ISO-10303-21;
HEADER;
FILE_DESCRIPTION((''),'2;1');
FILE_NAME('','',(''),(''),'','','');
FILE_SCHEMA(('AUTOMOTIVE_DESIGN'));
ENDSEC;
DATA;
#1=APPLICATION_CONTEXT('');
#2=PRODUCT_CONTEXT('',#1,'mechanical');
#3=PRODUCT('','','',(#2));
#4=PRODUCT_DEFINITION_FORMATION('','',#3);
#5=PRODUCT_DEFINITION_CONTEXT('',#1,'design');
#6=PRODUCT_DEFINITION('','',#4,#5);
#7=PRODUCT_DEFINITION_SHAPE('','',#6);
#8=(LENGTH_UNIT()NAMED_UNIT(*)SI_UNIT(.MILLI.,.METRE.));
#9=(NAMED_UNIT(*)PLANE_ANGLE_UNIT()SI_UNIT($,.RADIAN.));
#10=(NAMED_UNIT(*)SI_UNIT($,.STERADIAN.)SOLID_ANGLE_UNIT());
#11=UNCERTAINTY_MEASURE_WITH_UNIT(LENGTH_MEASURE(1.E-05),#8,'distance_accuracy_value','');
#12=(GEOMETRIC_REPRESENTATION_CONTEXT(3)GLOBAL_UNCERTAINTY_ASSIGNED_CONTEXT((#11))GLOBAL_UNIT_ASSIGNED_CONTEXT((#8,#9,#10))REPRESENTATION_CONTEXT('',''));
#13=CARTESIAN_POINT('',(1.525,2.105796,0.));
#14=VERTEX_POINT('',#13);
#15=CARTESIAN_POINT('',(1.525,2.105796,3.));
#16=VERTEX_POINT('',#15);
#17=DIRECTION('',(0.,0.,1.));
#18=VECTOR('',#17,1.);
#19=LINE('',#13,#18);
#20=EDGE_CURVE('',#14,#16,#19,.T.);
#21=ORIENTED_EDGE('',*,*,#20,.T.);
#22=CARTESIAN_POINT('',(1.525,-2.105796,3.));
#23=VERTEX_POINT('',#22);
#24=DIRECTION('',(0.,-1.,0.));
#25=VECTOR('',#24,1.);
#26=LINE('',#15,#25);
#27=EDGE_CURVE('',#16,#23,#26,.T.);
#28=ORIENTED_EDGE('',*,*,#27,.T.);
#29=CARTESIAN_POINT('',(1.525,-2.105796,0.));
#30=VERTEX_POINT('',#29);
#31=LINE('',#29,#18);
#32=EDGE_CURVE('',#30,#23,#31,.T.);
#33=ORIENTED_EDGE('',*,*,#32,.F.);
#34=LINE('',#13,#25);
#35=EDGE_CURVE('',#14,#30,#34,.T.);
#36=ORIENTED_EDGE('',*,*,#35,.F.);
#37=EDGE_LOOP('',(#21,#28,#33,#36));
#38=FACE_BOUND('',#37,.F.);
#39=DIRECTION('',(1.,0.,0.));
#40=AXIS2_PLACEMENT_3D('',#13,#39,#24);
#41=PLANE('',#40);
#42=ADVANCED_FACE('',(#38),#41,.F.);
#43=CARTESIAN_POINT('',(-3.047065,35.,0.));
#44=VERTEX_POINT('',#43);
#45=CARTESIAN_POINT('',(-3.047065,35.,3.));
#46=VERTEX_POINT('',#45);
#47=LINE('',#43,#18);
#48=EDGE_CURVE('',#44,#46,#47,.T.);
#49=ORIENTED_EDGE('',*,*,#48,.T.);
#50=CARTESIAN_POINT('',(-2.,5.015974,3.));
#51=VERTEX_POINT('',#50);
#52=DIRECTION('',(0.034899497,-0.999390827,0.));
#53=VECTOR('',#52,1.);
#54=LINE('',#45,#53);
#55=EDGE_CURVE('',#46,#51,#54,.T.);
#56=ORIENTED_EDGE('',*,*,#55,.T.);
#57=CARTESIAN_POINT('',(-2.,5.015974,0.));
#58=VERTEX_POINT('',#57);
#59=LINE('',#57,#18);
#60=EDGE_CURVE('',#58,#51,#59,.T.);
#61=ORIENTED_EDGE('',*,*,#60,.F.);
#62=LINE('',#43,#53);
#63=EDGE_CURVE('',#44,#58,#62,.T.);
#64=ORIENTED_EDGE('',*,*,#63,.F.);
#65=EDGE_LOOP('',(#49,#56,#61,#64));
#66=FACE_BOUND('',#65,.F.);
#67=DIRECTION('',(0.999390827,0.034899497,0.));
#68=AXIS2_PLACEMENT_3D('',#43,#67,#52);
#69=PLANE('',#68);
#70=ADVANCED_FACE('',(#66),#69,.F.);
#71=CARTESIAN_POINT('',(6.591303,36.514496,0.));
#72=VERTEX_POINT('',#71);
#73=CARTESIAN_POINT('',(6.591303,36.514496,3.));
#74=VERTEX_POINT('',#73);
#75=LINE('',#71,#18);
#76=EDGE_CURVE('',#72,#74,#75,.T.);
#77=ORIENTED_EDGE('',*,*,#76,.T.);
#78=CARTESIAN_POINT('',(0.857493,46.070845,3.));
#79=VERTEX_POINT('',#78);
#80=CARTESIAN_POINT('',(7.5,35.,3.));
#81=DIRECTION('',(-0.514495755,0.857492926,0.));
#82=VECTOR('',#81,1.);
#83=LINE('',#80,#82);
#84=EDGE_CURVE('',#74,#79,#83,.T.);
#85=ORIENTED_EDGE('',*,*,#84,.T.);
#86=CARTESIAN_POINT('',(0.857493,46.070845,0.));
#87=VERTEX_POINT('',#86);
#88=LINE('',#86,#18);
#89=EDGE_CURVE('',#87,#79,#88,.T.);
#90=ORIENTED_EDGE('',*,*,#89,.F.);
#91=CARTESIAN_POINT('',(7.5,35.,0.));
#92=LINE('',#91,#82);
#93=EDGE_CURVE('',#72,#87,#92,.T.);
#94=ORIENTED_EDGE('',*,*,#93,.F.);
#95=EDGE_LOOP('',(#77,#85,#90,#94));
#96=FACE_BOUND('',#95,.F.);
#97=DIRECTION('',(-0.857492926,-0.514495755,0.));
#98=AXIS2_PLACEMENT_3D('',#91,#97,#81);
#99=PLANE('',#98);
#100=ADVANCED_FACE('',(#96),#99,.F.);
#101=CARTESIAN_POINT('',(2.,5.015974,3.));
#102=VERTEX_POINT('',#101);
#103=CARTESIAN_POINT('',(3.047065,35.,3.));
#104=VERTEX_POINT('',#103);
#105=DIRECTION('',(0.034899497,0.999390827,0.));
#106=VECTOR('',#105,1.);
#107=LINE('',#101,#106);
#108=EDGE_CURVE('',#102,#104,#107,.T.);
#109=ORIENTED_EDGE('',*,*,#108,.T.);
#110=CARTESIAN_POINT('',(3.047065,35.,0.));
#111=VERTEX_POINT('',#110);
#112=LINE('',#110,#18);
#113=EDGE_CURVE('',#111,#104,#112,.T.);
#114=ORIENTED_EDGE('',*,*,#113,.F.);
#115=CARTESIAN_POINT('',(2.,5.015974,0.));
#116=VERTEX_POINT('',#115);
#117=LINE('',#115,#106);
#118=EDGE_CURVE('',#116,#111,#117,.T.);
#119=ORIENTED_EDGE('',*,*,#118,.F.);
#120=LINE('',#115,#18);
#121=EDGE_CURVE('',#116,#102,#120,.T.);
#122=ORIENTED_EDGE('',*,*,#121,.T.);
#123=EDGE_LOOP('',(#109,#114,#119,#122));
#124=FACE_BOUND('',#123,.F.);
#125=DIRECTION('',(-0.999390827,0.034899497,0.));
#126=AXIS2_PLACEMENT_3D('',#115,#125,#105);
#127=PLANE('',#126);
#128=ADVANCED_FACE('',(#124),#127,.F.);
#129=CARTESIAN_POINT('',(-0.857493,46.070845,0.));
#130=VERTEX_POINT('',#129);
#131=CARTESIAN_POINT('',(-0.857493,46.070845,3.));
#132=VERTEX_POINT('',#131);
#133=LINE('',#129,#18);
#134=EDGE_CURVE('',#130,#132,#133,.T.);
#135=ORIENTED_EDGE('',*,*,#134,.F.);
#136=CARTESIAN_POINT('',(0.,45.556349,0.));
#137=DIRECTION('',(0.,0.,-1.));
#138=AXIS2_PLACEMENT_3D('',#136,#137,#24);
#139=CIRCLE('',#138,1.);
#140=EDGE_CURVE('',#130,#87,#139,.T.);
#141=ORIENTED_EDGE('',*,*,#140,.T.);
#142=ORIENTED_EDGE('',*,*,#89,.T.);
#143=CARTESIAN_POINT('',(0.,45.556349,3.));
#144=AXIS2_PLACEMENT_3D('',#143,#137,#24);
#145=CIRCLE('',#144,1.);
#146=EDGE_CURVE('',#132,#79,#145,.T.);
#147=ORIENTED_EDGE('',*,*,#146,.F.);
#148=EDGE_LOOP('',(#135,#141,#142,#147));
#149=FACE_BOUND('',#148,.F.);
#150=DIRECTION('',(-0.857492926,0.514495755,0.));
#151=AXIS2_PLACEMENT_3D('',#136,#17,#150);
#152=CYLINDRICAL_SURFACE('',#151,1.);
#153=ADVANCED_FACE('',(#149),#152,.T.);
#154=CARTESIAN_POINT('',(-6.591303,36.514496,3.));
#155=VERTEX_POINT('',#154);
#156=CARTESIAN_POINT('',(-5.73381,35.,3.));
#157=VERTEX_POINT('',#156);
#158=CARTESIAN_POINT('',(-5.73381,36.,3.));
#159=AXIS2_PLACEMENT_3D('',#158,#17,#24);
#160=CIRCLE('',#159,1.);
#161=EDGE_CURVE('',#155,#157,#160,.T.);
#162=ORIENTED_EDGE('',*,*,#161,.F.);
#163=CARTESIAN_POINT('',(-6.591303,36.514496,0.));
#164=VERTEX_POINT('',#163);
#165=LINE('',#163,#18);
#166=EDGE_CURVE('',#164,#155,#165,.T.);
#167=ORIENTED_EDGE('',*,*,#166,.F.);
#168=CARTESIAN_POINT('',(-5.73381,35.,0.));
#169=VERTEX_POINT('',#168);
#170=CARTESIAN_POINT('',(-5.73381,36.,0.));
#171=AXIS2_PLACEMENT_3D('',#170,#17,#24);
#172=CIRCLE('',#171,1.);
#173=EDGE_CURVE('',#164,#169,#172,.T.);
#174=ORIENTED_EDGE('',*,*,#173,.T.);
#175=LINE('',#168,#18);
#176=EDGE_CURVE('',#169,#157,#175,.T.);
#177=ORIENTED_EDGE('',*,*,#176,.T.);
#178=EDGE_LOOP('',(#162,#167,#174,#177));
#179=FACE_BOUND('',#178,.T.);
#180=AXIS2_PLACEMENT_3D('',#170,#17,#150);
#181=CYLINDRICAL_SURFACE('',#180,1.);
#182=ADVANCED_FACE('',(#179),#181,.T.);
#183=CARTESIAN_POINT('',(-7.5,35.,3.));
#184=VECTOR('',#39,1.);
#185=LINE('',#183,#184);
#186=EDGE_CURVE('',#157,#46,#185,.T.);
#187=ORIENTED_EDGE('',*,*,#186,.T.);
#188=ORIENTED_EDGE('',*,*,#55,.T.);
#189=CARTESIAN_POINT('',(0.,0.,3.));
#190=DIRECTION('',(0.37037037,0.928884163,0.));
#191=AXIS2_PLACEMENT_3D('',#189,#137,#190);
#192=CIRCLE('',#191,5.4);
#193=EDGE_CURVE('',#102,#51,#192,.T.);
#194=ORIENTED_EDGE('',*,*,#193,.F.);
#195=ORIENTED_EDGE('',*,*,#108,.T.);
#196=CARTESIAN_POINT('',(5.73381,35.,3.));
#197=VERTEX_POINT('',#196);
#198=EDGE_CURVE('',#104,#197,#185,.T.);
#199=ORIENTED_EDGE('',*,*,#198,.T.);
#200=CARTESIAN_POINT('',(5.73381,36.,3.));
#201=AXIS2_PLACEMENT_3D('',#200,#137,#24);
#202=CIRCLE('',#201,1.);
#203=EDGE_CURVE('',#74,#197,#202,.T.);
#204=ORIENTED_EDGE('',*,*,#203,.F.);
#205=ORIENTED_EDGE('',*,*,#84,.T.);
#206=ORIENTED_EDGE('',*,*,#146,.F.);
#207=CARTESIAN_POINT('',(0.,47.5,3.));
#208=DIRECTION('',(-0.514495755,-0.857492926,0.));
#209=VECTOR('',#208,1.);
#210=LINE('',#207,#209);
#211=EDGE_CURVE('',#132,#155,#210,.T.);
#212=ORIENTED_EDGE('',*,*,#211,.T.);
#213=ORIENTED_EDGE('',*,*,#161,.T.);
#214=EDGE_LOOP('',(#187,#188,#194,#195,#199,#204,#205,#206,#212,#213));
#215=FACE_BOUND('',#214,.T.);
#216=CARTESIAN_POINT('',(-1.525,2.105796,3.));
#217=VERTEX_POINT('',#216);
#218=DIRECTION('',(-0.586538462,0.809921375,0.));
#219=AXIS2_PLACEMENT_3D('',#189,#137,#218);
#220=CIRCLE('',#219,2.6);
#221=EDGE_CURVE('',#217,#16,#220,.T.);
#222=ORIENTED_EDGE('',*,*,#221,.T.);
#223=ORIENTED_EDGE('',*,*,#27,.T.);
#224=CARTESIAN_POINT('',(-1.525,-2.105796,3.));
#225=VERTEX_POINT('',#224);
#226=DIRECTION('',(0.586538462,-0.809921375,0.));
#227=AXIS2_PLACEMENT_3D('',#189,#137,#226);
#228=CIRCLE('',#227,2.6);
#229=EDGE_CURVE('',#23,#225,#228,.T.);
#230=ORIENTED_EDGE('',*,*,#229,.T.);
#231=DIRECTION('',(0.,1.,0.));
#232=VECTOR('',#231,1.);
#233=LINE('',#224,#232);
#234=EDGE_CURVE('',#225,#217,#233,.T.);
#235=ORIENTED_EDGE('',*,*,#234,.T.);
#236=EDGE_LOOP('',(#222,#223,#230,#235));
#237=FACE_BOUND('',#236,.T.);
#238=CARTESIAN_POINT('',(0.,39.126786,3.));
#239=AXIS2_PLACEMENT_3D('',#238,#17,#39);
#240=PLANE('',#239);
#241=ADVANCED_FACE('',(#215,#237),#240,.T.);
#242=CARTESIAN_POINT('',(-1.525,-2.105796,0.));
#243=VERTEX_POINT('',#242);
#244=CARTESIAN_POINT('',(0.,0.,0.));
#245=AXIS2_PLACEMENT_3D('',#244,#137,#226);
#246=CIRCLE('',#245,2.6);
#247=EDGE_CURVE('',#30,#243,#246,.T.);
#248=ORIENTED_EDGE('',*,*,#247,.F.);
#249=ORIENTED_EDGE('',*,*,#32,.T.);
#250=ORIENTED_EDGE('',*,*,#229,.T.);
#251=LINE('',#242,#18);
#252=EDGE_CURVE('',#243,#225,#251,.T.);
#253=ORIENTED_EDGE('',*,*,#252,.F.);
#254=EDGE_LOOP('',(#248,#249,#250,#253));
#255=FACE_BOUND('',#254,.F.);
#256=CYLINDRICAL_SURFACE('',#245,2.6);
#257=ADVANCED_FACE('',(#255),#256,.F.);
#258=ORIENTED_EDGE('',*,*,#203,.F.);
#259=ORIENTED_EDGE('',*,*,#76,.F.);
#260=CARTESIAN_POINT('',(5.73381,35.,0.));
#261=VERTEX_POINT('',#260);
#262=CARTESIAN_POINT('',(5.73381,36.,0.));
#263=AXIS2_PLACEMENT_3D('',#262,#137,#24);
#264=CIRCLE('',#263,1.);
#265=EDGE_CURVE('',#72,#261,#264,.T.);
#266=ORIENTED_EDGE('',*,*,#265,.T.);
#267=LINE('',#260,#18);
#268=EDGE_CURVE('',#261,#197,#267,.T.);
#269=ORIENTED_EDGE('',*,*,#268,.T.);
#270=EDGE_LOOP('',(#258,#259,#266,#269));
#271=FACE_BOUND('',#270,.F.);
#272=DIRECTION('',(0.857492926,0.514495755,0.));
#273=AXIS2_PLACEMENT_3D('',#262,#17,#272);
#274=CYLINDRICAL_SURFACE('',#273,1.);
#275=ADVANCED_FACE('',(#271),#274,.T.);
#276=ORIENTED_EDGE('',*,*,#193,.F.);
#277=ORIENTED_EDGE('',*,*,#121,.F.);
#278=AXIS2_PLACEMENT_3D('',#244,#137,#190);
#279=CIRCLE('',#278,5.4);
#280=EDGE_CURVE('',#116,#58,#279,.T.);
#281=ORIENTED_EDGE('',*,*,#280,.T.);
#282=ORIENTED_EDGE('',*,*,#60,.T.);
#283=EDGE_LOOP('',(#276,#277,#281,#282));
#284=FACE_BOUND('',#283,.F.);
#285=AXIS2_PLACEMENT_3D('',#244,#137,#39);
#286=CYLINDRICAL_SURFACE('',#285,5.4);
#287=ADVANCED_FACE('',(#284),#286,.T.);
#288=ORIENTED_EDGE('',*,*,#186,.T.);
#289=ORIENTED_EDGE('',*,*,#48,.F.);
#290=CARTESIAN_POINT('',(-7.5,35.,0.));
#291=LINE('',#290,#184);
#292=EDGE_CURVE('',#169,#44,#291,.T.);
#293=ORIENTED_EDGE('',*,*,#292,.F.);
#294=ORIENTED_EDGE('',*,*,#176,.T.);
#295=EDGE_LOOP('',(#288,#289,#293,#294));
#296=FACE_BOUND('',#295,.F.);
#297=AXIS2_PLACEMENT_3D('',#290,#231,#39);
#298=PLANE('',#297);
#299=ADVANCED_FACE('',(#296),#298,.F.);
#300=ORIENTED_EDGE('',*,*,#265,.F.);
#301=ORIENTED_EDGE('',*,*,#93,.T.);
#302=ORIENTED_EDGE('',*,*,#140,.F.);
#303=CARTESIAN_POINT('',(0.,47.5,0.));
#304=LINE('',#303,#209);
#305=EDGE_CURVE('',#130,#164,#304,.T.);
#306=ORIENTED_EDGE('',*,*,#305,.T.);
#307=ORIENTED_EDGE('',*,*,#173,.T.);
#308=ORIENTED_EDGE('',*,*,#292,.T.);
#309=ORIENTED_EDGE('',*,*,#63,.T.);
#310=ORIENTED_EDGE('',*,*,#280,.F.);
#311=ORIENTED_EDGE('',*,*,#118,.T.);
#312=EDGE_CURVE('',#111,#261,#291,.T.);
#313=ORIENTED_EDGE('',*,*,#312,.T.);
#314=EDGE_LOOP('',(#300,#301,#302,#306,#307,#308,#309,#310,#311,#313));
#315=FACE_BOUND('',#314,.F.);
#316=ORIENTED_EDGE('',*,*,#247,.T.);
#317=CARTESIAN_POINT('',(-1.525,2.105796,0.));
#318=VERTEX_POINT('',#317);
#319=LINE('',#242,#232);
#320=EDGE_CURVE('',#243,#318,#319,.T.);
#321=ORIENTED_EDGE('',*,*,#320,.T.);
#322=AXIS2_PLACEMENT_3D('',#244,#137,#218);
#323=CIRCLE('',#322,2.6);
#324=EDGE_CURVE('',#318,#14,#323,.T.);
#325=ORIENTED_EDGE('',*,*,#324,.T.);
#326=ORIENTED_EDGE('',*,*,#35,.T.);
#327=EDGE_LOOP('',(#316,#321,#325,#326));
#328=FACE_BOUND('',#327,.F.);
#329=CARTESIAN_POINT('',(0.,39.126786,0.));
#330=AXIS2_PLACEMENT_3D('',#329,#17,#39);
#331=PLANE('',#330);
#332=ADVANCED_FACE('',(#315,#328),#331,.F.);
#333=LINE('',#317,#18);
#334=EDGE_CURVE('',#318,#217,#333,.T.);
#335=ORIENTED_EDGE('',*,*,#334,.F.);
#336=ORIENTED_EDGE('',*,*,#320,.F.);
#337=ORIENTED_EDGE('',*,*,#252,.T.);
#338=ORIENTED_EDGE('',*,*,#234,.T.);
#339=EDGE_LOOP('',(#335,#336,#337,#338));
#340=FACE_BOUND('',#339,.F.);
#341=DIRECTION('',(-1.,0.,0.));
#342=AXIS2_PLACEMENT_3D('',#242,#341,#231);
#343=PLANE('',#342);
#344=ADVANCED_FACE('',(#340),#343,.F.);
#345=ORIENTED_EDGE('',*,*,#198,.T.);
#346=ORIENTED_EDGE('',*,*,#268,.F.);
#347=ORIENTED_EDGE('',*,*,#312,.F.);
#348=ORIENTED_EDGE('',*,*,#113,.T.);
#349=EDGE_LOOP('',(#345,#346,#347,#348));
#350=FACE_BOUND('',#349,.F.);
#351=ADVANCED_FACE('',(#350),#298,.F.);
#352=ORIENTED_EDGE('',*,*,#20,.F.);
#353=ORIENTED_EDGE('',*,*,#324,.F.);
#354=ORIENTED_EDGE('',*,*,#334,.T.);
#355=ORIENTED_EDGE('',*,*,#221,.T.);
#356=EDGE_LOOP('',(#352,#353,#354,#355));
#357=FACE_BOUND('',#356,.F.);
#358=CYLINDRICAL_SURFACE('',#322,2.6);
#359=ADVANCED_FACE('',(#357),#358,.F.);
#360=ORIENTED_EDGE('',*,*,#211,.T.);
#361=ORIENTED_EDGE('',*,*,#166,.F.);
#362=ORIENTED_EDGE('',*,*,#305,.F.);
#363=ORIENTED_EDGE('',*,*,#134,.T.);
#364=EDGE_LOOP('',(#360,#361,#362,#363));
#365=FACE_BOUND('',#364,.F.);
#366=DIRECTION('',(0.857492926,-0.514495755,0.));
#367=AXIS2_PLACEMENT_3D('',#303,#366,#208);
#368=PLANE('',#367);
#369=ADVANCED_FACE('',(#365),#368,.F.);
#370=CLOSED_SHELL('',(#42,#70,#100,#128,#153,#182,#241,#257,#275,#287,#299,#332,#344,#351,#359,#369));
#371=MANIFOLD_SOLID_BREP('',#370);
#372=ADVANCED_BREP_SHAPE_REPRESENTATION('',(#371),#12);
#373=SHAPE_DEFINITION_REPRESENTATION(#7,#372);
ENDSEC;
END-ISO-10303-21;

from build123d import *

# Parameters (mm, degrees)
F0_R     = 5.4
F1_DEPTH = 3
F3_DEPTH = 3
F5_DEPTH = 3
F6_R     = 1


with BuildPart() as f1:
    # F0 (on Top) → F1 (new body)
    with BuildSketch(Plane.XY):
        Circle(F0_R)
        with BuildLine():
            ThreePointArc((1.525, 2.1057955741), (2.3157072354, 1.1821590418), (2.6, 0))
            ThreePointArc((2.6, 0), (2.3157072354, -1.1821590418), (1.525, -2.1057955741))
            ThreePointArc((1.525, -2.1057955741), (0, -2.6), (-1.525, -2.1057955741))
            ThreePointArc((-1.525, -2.1057955741), (-2.6, 0), (-1.525, 2.1057955741))
            ThreePointArc((-1.525, 2.1057955741), (0, 2.6), (1.525, 2.1057955741))
        make_face(mode=Mode.SUBTRACT)
        with BuildLine():
            Line((-1.525, -2.1057955741), (-1.525, 2.1057955741))
            ThreePointArc((-1.525, 2.1057955741), (-2.6, 0), (-1.525, -2.1057955741))
        make_face()
        with BuildLine():
            ThreePointArc((1.525, -2.1057955741), (2.3157072354, -1.1821590418), (2.6, 0))
            ThreePointArc((2.6, 0), (2.3157072354, 1.1821590418), (1.525, 2.1057955741))
            Line((1.525, 2.1057955741), (1.525, -2.1057955741))
        make_face()
    extrude(amount=F1_DEPTH)

    # F2 (on Top) → F3 (join, through all)
    with BuildSketch(Plane.XY):
        Polygon((-2, 5.0159744816), (0, 5.0159744816), (2, 5.0159744816), (3.0470652436, 35), (0, 35), (-3.0470652436, 35), align=None)
    extrude(amount=F3_DEPTH)

    # F4 (on Top) → F5 (join, through all)
    with BuildSketch(Plane.XY):
        Polygon((0, 47.5), (-7.5, 35), (7.5, 35), align=None)
    extrude(amount=F5_DEPTH)

    # F6
    f6_edges = [f1.edges().sort_by_distance(p)[0] for p in [
        (0, 47.5, 1.5),
        (-7.5, 35, 1.5),
        (7.5, 35, 1.5),
    ]]
    fillet(f6_edges, radius=F6_R)


solid = f1.part
